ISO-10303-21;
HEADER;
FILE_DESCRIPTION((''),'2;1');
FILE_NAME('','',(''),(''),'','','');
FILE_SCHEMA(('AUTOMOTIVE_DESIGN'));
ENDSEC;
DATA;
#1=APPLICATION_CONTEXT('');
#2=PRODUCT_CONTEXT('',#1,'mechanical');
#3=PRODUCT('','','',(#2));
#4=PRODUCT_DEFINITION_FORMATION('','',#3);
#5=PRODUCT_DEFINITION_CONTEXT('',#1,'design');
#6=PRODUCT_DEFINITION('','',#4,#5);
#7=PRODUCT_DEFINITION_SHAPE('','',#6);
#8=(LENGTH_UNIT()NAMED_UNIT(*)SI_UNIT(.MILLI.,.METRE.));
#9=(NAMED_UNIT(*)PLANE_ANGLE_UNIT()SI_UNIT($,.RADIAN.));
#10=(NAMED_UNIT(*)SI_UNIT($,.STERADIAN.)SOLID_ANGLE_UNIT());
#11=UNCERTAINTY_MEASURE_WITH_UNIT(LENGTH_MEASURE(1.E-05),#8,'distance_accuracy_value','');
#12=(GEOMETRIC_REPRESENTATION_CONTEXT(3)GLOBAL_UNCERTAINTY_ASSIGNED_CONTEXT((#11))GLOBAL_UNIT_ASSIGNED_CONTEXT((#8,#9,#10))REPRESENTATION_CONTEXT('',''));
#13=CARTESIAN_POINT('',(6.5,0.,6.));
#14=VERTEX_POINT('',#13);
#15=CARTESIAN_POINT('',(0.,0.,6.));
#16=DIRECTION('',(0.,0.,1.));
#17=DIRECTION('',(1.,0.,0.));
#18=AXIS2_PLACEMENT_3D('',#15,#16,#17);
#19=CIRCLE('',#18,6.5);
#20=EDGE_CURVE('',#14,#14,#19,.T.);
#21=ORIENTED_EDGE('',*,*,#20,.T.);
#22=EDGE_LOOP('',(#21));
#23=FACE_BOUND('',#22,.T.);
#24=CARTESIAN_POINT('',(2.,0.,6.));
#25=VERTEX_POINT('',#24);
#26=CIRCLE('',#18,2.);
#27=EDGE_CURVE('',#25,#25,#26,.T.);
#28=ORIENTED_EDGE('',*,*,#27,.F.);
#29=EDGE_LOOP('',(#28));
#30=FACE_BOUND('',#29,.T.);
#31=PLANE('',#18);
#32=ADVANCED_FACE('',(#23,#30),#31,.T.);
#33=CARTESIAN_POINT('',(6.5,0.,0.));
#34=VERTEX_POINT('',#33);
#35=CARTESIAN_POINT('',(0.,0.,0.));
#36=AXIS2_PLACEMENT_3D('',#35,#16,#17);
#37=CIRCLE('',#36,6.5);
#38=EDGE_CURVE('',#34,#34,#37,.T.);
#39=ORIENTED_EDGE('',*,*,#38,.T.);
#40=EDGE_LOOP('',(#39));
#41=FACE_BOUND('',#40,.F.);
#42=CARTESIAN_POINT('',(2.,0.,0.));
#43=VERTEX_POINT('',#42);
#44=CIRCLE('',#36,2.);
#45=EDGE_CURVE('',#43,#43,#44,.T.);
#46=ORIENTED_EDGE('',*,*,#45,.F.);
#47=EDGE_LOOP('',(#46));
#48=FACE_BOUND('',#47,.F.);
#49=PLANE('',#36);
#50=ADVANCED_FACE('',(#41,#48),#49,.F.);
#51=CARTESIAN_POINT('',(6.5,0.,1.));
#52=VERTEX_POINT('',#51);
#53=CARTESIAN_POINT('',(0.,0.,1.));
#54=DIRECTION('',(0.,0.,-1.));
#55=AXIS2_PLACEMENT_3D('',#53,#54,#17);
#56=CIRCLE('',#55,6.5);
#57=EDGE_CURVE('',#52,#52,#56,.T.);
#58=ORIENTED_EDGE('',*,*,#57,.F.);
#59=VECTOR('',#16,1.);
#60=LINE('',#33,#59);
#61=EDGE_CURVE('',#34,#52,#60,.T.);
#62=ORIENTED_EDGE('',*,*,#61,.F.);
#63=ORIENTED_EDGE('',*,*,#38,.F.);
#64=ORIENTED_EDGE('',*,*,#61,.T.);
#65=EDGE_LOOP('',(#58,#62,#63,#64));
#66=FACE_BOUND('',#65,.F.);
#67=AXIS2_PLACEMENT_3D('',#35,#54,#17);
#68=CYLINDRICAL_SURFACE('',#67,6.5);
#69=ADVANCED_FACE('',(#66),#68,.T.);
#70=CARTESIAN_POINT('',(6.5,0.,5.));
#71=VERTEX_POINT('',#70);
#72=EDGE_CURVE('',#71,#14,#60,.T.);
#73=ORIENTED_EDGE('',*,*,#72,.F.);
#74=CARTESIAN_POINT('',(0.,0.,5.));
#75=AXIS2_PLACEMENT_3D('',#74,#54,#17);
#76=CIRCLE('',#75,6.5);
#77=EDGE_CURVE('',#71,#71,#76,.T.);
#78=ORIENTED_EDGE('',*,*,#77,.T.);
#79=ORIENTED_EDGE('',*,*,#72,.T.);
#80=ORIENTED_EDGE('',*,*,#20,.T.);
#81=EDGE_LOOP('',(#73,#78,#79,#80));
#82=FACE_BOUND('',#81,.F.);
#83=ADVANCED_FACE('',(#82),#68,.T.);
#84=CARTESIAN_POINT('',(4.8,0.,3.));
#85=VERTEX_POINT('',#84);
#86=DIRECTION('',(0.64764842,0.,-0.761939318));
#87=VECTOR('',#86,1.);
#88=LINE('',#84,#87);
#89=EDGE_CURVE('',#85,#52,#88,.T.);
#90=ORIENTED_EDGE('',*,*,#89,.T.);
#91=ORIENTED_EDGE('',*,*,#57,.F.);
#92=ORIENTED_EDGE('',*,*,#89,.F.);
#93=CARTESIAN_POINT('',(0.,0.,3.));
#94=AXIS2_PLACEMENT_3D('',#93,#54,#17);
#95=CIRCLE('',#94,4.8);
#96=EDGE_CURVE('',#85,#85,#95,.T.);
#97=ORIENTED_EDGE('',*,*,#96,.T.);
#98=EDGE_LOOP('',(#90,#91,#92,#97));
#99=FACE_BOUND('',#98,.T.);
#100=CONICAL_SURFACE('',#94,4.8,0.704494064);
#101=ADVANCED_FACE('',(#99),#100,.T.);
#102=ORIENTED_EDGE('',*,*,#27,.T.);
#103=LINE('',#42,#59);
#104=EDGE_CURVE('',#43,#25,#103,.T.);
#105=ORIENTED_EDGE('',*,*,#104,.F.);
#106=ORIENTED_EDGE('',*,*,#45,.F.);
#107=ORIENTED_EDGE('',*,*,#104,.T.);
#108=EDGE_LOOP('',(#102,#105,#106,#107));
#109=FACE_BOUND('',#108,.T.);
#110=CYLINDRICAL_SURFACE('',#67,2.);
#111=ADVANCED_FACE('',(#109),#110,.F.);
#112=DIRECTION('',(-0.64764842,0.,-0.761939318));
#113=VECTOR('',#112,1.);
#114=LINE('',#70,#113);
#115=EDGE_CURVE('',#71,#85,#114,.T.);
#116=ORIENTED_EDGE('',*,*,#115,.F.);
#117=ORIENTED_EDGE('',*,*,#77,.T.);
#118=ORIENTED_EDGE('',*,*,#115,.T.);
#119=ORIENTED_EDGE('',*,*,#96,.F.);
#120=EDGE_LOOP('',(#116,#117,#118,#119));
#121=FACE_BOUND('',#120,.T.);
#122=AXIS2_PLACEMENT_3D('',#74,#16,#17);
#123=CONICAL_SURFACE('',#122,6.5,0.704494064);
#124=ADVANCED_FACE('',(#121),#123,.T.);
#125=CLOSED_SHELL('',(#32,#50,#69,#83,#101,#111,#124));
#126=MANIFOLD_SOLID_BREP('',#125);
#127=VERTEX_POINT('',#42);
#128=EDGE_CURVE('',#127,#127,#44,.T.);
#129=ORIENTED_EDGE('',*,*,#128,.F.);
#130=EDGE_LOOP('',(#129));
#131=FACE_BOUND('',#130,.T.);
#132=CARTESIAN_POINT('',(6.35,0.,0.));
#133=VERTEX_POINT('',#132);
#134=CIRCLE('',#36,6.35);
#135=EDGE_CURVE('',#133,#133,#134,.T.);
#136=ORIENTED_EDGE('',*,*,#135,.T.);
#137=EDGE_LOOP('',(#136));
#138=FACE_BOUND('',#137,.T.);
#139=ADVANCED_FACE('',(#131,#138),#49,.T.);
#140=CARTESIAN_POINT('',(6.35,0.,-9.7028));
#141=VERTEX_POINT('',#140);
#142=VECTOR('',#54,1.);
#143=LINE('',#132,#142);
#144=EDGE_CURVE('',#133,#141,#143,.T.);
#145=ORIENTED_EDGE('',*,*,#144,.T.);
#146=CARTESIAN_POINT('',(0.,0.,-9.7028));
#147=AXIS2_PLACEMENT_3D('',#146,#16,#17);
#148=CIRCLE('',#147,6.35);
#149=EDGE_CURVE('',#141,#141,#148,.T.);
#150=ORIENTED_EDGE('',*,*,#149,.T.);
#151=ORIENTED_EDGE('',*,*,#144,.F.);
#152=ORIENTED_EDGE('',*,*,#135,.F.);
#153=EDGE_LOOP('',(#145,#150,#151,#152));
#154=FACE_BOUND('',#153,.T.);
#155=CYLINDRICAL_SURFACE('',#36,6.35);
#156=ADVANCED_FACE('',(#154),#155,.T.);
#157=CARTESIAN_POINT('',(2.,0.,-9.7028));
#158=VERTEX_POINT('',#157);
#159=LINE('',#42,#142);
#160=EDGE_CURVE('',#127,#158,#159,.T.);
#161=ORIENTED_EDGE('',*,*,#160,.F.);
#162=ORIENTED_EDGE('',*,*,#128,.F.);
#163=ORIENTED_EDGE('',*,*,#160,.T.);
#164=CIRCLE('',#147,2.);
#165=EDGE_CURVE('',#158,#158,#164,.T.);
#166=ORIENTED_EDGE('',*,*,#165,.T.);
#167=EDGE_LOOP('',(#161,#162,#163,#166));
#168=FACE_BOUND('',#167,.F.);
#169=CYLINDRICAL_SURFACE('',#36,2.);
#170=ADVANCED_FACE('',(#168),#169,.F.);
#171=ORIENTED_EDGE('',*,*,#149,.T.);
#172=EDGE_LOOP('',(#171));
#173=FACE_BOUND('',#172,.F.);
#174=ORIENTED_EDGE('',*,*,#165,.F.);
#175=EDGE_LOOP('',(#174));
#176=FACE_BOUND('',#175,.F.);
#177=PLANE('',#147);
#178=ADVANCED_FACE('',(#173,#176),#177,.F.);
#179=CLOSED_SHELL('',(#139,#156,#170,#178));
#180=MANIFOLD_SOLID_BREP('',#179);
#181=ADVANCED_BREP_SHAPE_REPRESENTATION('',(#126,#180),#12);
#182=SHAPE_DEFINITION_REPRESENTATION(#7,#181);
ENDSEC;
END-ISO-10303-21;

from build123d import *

# Parameters (mm, degrees)
F0_R     = 6.5
F0_R_2   = 2
F1_DEPTH = 6
F4_R     = 6.35
F4_R_2   = 2
F5_DEPTH = 9.7028


with BuildPart() as f1:
    # F0 (on Top) → F1 (new body)
    with BuildSketch(Plane.XY):
        Circle(F0_R)
        Circle(F0_R_2, mode=Mode.SUBTRACT)
    extrude(amount=F1_DEPTH)

    # F2 (on Front) → F3 (revolve, cut)
    with BuildSketch(Plane.XZ):
        Polygon((6.5, 1), (6.5, 5), (4.8, 3), align=None)
    revolve(axis=Axis((0, 0, 0), (0, 0, -1)), mode=Mode.SUBTRACT)


with BuildPart() as f5:
    # F4 (on Top) → F5 (new body)
    with BuildSketch(Plane.XY):
        Circle(F4_R)
        Circle(F4_R_2, mode=Mode.SUBTRACT)
    extrude(amount=-F5_DEPTH)


solid = Compound([f1.part, f5.part])
